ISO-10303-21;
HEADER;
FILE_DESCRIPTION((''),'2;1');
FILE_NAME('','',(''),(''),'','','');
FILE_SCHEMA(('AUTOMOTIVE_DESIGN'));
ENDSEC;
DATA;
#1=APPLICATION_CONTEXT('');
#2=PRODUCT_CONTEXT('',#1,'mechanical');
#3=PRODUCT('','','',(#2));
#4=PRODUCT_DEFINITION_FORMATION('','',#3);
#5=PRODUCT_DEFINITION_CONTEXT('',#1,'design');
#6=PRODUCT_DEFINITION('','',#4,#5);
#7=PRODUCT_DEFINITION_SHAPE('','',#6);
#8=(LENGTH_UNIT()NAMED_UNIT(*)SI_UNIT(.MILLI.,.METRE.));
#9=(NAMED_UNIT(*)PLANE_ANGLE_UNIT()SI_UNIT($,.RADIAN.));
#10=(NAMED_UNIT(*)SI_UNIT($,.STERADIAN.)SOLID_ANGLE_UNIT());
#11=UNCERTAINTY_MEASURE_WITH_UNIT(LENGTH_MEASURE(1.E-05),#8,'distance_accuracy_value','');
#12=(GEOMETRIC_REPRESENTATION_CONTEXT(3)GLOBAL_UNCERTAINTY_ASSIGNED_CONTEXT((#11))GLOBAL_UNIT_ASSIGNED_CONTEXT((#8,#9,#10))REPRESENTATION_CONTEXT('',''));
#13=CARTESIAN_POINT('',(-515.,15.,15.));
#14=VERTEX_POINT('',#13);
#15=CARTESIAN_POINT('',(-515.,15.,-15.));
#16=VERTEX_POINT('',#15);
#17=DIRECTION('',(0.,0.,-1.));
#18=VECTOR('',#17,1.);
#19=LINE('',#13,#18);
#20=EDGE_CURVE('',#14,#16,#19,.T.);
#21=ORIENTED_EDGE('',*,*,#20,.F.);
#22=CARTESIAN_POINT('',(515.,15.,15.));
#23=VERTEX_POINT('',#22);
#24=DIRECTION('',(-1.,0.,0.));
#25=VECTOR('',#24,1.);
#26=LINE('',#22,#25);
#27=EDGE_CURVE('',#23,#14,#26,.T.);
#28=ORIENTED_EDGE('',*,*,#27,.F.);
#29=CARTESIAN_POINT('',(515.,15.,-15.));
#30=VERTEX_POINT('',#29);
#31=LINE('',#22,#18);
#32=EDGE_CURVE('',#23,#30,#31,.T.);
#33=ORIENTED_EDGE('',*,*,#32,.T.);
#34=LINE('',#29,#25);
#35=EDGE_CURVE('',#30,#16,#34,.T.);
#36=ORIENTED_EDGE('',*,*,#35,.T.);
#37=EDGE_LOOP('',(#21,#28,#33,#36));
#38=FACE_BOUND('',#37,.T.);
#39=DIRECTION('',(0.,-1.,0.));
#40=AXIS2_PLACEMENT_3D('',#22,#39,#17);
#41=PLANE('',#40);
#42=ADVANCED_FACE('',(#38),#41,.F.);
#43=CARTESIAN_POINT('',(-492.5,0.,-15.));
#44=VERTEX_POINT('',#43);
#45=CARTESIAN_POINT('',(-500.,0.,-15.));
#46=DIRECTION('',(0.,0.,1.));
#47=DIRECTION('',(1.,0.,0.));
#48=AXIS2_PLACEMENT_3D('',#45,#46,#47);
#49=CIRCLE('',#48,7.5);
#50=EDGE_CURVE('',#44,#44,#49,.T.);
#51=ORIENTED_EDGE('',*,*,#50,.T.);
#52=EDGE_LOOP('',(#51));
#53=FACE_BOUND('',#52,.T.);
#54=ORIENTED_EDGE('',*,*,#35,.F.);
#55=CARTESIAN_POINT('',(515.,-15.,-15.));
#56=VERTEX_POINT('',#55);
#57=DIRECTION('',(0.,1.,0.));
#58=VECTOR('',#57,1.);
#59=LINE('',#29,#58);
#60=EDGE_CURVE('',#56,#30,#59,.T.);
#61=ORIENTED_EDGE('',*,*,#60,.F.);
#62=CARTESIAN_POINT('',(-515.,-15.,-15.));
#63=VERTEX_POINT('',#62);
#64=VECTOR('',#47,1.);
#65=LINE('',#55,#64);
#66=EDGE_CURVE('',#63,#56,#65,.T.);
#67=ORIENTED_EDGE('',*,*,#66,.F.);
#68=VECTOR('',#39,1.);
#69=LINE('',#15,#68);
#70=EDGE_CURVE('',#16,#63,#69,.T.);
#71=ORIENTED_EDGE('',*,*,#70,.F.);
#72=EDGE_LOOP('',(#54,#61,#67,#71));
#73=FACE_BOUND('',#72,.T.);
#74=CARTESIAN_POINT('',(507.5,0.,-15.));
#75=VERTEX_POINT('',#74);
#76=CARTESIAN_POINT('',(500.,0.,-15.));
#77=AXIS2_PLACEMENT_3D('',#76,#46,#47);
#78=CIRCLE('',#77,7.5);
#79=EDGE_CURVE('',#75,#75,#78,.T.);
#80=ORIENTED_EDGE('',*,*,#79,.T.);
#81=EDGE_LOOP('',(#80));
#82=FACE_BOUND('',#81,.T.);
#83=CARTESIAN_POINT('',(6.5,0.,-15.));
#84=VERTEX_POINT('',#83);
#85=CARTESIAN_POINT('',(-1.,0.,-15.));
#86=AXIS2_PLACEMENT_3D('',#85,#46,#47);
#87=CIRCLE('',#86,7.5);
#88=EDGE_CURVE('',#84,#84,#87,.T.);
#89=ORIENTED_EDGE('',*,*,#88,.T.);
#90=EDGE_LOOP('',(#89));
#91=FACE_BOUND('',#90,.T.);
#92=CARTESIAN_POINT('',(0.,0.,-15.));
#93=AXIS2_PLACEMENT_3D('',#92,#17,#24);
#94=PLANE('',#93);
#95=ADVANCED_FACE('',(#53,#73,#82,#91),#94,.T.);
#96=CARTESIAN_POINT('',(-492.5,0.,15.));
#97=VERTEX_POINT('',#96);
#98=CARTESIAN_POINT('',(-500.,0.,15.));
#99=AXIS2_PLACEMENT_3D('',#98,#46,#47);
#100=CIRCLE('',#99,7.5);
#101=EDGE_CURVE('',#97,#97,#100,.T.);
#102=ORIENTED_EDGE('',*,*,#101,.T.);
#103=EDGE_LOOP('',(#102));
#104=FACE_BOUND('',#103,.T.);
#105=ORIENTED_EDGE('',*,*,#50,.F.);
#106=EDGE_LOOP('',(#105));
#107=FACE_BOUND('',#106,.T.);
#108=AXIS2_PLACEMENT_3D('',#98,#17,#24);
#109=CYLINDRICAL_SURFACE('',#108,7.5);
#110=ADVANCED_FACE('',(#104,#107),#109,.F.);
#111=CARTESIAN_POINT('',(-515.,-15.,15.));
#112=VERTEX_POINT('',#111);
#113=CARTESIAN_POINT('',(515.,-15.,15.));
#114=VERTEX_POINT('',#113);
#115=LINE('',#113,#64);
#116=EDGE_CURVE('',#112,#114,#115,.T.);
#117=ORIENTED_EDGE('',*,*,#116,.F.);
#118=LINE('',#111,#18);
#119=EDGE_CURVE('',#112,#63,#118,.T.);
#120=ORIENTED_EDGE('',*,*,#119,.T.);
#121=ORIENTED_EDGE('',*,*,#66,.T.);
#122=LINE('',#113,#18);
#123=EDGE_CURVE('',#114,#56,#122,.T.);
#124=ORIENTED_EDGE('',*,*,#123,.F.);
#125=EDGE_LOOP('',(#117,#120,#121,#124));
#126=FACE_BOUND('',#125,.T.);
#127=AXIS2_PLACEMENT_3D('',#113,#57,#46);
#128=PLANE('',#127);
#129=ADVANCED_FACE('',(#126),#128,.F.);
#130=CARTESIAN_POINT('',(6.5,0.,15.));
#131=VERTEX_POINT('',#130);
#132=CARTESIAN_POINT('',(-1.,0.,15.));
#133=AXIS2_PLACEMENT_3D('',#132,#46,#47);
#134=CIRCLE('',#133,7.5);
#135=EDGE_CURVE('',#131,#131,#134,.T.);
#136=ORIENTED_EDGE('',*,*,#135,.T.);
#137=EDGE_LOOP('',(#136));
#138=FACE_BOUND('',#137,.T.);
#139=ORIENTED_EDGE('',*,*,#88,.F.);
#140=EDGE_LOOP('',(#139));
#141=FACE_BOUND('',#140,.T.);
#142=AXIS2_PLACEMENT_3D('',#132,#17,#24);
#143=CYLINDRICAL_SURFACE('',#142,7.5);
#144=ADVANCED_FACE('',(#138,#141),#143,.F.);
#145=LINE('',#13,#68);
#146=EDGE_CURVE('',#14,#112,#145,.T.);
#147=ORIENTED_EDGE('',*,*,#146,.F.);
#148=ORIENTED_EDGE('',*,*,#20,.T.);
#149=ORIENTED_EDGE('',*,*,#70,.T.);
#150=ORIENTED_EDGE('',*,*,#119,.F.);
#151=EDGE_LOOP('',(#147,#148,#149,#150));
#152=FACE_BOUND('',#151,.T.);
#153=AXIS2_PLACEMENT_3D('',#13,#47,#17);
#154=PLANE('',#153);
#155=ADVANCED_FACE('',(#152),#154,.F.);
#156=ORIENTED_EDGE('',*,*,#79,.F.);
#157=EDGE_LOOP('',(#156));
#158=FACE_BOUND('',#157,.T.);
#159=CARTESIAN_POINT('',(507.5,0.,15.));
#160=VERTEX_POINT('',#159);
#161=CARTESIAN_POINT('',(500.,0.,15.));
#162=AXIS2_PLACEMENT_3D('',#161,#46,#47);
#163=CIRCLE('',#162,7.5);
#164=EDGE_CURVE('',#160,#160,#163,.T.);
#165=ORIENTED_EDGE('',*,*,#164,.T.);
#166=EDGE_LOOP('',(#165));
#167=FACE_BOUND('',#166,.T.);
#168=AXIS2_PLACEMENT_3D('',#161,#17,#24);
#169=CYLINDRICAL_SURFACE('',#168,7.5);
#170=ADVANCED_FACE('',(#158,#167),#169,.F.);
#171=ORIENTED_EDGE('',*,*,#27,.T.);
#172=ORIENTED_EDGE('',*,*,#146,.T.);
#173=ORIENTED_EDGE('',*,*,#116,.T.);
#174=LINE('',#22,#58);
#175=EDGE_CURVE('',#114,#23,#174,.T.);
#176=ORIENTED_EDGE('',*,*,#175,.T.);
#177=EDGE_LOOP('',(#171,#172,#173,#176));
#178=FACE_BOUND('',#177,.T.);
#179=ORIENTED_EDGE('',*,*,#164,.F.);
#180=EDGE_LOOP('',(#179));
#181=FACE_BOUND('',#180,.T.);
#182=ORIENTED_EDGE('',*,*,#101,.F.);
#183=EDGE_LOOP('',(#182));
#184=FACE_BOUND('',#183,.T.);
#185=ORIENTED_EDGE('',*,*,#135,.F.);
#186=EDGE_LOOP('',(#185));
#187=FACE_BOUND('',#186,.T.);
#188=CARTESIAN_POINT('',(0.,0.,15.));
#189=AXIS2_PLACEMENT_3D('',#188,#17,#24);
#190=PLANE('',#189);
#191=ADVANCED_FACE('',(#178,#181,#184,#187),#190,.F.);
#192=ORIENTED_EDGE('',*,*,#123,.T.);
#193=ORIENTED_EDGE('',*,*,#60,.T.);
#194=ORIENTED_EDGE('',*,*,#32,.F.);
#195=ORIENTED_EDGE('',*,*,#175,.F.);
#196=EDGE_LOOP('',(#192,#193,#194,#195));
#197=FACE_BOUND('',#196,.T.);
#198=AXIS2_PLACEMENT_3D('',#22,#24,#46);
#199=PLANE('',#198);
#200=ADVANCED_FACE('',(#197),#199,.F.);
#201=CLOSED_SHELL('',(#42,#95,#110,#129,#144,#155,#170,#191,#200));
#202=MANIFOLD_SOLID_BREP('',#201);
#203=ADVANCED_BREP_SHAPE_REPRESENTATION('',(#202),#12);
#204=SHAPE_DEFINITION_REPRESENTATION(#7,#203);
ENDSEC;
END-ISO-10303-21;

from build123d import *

# Parameters (mm, degrees)
SKETCH1_W           = 1030
SKETCH1_H           = 30
SKETCH1_R           = 7.5
BOSS_EXTRUDE1_DEPTH = 15


with BuildPart() as part:
    # Sketch1 → Boss-Extrude1 (new, symmetric)
    with BuildSketch(Plane.XY):
        Rectangle(SKETCH1_W, SKETCH1_H)
        with Locations((-500, 0)):
            Circle(SKETCH1_R, mode=Mode.SUBTRACT)
        with Locations((500, 0)):
            Circle(SKETCH1_R, mode=Mode.SUBTRACT)
        with Locations((-1, 0)):
            Circle(SKETCH1_R, mode=Mode.SUBTRACT)
    extrude(amount=BOSS_EXTRUDE1_DEPTH, both=True)


solid = part.part
